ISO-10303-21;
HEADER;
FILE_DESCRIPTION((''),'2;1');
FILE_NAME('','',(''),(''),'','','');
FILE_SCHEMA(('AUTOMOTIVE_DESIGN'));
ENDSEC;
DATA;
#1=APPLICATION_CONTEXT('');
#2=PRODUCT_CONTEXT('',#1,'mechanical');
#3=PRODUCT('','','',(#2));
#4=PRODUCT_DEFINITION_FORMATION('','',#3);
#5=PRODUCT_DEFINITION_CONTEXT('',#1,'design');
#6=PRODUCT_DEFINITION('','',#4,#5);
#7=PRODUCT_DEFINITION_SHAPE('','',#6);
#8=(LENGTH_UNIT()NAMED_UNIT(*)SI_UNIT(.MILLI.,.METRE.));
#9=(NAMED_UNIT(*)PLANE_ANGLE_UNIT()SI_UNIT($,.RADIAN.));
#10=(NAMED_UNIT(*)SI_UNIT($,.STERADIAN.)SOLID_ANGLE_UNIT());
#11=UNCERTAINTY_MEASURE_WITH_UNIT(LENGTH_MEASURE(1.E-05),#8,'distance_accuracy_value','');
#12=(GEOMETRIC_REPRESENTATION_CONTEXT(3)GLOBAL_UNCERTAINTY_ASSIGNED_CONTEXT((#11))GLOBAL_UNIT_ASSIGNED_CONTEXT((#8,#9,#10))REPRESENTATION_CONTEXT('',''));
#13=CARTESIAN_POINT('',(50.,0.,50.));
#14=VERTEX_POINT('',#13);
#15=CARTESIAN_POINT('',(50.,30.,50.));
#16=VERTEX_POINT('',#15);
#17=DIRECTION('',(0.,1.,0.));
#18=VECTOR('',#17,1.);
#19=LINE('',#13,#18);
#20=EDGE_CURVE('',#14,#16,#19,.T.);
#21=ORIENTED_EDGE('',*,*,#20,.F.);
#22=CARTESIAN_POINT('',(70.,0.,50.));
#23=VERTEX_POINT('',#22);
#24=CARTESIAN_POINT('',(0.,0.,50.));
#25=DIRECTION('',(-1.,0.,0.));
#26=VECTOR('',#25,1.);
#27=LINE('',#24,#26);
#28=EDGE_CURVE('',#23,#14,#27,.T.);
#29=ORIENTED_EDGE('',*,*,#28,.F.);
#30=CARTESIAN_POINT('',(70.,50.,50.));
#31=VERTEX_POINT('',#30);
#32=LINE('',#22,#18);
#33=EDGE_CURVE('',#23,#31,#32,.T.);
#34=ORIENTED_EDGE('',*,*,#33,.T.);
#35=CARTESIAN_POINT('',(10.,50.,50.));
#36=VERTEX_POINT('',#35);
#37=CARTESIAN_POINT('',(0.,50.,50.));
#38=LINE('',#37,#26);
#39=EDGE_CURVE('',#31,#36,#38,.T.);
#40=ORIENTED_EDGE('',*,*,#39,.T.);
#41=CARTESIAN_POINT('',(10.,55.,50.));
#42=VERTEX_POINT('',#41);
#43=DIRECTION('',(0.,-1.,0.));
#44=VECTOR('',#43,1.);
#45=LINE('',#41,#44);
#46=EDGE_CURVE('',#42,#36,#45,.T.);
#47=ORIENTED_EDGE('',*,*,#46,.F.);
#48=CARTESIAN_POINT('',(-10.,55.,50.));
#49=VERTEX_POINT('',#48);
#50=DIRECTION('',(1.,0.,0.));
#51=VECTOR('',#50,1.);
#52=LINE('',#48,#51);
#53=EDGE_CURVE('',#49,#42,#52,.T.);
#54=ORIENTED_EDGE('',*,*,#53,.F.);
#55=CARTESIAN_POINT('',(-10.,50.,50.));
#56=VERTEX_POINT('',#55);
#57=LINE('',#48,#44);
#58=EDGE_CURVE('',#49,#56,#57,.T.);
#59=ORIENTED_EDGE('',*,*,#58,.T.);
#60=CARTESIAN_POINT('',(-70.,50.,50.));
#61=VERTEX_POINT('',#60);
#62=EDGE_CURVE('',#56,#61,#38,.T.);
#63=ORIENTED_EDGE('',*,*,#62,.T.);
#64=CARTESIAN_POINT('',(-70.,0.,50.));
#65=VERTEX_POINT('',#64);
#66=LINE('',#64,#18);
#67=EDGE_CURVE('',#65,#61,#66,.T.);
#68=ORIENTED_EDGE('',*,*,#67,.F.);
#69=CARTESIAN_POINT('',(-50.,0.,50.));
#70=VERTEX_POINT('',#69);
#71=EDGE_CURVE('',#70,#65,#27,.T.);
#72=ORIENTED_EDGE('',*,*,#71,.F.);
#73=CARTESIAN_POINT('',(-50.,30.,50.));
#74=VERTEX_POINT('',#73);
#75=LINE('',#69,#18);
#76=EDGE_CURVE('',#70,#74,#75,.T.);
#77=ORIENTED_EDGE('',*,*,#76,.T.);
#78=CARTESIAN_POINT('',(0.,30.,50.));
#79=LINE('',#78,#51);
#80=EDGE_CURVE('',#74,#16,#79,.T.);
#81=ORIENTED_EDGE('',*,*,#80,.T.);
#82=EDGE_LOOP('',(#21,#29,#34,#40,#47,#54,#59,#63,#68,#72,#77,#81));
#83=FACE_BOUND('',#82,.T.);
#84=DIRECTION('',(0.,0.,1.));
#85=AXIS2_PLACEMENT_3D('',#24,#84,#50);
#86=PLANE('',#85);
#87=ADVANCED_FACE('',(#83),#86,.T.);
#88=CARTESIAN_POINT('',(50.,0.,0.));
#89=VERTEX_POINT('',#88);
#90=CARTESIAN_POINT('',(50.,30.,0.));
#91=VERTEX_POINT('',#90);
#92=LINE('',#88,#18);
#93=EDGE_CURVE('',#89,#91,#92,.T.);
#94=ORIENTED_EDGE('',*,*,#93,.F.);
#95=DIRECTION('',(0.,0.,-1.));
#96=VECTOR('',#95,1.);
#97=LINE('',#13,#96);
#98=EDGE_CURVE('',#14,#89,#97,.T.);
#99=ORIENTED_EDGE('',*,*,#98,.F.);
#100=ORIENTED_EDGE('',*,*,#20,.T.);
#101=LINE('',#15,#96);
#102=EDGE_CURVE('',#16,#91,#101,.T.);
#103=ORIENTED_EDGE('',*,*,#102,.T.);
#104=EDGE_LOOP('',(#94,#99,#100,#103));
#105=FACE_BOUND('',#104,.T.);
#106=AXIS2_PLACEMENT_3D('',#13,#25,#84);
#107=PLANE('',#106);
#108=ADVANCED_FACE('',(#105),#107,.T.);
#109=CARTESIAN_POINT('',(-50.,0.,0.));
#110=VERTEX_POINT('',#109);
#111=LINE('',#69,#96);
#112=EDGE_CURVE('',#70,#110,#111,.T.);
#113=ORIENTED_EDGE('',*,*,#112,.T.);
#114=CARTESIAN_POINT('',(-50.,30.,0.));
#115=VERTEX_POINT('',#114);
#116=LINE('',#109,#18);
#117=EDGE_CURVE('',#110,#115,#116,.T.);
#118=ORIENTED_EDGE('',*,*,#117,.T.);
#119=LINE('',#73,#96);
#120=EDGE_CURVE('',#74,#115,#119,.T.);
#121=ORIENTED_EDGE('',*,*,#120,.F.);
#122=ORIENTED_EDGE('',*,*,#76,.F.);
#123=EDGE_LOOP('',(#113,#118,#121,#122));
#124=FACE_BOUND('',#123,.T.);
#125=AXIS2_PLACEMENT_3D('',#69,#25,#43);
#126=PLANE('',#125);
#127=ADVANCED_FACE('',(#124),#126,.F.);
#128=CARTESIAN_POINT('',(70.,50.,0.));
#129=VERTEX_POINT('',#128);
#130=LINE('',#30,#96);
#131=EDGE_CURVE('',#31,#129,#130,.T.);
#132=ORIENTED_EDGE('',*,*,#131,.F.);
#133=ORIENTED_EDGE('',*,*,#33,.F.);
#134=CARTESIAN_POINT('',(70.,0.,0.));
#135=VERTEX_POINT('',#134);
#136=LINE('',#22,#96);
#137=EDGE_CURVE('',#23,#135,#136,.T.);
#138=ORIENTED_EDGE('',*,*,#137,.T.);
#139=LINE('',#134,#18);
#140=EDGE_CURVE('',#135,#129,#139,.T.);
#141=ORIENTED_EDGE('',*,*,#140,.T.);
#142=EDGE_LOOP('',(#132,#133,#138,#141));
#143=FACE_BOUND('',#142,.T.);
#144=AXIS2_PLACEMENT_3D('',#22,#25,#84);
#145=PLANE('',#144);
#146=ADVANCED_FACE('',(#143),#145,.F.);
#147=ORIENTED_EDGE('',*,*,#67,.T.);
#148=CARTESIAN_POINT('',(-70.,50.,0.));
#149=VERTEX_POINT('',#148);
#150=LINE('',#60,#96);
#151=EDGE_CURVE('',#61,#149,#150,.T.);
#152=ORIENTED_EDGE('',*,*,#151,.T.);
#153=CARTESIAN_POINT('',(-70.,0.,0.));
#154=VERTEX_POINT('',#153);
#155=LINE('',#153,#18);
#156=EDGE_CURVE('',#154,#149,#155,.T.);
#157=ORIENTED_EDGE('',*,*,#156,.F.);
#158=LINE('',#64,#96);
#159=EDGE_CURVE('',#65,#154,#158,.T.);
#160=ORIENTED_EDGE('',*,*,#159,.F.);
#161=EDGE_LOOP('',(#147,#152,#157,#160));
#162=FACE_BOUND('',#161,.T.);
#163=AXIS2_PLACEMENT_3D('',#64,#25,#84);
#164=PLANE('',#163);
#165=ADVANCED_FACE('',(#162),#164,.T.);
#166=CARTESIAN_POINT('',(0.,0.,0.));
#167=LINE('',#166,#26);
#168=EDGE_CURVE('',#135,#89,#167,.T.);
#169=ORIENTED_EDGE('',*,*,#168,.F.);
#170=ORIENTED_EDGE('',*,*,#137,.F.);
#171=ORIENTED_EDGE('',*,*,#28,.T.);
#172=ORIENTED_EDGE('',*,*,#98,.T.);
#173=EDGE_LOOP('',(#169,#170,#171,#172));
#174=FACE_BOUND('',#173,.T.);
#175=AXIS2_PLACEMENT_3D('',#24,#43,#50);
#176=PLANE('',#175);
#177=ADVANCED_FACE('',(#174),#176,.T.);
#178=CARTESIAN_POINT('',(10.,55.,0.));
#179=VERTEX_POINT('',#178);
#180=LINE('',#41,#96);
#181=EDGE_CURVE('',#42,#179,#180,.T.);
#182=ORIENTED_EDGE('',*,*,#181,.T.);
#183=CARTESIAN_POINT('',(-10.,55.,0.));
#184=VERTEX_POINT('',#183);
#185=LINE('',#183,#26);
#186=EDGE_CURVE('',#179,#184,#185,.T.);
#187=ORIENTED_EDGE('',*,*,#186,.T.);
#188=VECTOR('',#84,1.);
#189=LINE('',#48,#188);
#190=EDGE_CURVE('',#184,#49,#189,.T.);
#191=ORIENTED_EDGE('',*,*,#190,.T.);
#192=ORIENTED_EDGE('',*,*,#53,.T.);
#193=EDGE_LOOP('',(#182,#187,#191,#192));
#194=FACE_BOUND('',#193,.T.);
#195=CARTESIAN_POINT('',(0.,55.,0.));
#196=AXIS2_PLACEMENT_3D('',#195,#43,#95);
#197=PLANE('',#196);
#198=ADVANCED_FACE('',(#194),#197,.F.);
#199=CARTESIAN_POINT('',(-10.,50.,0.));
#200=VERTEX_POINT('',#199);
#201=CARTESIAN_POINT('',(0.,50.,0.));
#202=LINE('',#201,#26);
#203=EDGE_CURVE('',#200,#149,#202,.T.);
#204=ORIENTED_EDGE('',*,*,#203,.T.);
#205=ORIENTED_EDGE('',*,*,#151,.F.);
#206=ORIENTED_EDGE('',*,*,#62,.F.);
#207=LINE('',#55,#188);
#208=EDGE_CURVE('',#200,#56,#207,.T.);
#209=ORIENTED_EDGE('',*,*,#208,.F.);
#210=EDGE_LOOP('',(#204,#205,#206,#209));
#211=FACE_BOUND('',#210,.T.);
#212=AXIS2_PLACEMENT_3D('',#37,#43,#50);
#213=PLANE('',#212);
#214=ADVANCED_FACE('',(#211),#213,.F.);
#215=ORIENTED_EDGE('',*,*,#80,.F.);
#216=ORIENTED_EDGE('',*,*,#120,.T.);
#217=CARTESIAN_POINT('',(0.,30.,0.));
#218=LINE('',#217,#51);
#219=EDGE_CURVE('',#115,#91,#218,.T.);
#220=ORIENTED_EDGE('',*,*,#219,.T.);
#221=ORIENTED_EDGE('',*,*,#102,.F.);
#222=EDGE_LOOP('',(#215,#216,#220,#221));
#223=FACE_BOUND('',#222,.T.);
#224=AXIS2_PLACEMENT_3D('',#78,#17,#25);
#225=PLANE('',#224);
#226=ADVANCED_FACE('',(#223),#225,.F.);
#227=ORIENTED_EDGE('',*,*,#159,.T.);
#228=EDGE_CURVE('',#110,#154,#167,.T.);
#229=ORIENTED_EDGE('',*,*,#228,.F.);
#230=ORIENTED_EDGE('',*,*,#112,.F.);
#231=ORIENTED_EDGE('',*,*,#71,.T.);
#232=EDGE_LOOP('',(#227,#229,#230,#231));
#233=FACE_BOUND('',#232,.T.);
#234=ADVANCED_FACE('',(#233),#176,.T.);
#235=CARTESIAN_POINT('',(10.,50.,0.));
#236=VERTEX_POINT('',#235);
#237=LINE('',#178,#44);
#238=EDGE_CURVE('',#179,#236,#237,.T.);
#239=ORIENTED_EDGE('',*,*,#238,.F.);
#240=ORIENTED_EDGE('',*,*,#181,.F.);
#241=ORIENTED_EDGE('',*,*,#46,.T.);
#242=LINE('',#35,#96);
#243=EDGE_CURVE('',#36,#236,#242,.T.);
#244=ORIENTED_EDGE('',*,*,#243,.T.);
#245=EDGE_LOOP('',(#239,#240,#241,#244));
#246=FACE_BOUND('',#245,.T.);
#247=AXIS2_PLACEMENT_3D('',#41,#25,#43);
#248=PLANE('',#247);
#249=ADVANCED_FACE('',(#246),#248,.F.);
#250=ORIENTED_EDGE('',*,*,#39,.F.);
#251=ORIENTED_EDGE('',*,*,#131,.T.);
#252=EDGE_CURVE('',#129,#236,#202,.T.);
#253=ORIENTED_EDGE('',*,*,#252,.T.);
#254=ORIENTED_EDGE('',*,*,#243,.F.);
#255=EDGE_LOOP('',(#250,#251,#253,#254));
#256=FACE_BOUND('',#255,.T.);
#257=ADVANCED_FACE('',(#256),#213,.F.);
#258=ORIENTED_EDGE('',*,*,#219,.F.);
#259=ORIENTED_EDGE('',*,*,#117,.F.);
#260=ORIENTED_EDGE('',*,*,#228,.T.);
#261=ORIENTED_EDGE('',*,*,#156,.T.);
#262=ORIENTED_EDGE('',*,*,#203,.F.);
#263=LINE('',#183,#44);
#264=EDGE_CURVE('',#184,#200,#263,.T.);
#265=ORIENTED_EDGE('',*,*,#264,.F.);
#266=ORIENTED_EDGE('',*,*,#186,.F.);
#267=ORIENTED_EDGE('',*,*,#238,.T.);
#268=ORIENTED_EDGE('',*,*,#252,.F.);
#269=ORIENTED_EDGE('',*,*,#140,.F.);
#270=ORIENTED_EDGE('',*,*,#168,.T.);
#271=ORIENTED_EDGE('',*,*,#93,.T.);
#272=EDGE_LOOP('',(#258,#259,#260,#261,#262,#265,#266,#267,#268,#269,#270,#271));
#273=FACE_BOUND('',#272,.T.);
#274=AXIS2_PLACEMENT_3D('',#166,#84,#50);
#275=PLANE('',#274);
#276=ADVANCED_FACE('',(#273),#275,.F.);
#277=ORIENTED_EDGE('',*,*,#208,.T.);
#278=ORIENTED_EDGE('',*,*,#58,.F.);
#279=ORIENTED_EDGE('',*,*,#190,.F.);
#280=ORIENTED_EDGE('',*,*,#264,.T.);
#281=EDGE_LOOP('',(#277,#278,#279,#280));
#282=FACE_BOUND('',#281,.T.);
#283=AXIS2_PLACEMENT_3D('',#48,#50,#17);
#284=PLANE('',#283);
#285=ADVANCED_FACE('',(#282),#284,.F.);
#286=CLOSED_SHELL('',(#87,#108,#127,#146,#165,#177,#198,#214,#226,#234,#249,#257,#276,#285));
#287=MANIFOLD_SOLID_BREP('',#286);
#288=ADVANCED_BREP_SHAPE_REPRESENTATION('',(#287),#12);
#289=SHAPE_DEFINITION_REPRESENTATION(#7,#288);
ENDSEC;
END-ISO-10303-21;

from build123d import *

# Parameters (mm, degrees)
BOSS_EXTRUDE1_DEPTH = 50
SKETCH2_W           = 20
SKETCH2_H           = 50
BOSS_EXTRUDE2_DEPTH = 5


with BuildPart() as part:
    # Sketch1 → Boss-Extrude1 (new body)
    with BuildSketch(Plane.XY):
        Polygon((-70, 0), (-50, 0), (-50, 30), (50, 30), (50, 0), (70, 0), (70, 50), (-70, 50), align=None)
    extrude(amount=BOSS_EXTRUDE1_DEPTH)

    # Sketch2 → Boss-Extrude2 (add)
    with BuildSketch(Plane(origin=(0, 50, 0), x_dir=(1, 0, 0), z_dir=(0, 1, 0))):
        with Locations((0, -25)):
            Rectangle(SKETCH2_W, SKETCH2_H)
    extrude(amount=BOSS_EXTRUDE2_DEPTH)


solid = part.part
